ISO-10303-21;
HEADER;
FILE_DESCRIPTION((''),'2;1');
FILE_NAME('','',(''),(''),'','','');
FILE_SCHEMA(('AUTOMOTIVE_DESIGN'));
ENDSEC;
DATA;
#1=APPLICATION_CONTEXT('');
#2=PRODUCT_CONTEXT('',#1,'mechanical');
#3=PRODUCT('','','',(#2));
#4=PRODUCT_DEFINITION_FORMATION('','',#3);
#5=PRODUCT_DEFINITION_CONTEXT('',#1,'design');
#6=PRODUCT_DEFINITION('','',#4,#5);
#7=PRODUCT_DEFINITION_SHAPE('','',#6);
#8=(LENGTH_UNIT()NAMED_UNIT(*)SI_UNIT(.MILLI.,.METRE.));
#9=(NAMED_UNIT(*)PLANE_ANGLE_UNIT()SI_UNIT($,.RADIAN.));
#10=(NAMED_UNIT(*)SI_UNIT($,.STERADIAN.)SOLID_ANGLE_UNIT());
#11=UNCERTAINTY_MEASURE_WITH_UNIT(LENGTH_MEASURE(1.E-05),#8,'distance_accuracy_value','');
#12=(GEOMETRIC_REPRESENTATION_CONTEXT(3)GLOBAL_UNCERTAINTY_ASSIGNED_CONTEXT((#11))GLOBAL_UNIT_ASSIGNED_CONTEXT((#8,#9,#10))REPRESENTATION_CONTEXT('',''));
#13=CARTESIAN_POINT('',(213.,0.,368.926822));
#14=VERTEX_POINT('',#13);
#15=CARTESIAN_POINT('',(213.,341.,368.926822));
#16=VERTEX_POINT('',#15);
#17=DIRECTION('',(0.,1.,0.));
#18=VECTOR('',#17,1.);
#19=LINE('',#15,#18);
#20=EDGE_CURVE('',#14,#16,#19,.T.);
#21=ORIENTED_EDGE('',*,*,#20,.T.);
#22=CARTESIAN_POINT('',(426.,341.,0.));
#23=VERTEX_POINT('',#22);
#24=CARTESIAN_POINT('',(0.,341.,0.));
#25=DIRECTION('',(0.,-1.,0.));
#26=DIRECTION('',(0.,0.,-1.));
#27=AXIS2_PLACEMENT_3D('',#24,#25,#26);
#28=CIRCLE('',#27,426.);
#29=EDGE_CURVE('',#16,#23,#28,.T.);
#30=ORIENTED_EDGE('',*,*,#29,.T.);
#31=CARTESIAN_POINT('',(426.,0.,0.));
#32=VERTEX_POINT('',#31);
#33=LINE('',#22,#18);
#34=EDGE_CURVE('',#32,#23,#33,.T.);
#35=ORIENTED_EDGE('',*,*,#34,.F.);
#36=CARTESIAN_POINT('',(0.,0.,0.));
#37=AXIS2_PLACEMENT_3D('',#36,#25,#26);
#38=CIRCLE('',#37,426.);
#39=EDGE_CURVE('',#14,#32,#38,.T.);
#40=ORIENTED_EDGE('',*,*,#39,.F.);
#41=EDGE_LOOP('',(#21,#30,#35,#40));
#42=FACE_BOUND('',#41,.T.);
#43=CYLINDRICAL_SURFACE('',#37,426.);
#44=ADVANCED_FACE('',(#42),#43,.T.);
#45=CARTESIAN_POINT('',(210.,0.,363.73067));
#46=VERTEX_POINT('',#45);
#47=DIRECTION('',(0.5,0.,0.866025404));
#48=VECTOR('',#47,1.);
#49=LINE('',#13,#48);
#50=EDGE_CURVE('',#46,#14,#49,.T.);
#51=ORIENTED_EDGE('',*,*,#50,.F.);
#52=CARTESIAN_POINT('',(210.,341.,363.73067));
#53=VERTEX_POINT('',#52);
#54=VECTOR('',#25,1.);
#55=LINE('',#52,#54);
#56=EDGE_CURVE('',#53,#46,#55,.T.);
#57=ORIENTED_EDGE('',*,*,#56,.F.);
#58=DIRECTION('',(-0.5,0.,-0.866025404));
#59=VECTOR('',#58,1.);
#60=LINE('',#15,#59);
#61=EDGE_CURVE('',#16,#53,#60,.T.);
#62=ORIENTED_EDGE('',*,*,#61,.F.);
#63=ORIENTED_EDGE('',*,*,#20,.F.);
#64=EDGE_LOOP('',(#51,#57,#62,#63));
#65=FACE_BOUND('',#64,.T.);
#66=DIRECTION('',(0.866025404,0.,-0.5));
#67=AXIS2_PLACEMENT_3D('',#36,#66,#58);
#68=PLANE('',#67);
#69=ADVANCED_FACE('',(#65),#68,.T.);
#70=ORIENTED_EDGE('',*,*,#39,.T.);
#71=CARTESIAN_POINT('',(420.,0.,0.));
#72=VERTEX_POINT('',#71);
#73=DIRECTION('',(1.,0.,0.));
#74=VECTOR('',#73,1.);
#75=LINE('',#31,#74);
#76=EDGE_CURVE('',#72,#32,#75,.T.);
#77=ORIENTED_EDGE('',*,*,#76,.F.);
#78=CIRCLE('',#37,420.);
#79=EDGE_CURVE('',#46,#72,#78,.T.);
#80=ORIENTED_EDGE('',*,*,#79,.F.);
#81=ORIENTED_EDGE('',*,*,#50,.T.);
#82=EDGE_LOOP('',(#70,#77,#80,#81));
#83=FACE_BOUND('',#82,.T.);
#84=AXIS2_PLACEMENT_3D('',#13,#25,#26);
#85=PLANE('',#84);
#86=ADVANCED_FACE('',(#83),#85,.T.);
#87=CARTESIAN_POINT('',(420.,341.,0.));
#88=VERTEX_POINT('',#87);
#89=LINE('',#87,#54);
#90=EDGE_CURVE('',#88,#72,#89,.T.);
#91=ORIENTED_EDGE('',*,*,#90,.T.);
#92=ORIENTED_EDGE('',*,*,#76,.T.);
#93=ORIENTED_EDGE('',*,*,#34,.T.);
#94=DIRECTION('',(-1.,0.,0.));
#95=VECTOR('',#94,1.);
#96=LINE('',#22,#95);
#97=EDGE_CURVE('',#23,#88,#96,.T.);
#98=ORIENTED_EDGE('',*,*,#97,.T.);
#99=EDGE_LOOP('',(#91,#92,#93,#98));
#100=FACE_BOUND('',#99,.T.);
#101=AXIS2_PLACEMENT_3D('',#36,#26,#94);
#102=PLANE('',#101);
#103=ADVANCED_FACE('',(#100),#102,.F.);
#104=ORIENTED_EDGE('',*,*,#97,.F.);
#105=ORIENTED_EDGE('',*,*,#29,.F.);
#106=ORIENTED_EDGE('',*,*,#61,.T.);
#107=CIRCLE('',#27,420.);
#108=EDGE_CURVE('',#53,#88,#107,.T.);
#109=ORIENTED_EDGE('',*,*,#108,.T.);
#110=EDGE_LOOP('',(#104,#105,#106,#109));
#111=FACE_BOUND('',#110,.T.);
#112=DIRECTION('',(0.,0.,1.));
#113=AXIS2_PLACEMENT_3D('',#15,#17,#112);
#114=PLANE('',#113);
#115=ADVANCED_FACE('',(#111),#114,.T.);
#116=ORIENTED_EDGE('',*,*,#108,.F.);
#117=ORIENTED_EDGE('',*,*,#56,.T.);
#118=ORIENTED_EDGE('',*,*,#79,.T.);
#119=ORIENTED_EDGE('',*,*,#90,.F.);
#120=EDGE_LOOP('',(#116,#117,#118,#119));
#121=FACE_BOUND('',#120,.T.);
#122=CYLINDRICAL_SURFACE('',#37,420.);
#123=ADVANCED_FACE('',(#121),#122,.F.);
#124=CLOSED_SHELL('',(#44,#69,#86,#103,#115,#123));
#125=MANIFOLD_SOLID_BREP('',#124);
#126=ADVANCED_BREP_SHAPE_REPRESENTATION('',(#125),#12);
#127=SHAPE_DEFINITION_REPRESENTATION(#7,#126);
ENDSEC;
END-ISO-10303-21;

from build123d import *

# Parameters (mm, degrees)
SKETCH1_W      = 6
SKETCH1_H      = 341
REVOLVE1_ANGLE = 300


with BuildPart() as part:
    # Sketch1 → Revolve1 (revolve)
    with BuildSketch(Plane.XY):
        with Locations((423, 170.5)):
            Rectangle(SKETCH1_W, SKETCH1_H)
    revolve(axis=Axis((0, 0, 0), (0, 1, 0)), revolution_arc=REVOLVE1_ANGLE)


solid = part.part
